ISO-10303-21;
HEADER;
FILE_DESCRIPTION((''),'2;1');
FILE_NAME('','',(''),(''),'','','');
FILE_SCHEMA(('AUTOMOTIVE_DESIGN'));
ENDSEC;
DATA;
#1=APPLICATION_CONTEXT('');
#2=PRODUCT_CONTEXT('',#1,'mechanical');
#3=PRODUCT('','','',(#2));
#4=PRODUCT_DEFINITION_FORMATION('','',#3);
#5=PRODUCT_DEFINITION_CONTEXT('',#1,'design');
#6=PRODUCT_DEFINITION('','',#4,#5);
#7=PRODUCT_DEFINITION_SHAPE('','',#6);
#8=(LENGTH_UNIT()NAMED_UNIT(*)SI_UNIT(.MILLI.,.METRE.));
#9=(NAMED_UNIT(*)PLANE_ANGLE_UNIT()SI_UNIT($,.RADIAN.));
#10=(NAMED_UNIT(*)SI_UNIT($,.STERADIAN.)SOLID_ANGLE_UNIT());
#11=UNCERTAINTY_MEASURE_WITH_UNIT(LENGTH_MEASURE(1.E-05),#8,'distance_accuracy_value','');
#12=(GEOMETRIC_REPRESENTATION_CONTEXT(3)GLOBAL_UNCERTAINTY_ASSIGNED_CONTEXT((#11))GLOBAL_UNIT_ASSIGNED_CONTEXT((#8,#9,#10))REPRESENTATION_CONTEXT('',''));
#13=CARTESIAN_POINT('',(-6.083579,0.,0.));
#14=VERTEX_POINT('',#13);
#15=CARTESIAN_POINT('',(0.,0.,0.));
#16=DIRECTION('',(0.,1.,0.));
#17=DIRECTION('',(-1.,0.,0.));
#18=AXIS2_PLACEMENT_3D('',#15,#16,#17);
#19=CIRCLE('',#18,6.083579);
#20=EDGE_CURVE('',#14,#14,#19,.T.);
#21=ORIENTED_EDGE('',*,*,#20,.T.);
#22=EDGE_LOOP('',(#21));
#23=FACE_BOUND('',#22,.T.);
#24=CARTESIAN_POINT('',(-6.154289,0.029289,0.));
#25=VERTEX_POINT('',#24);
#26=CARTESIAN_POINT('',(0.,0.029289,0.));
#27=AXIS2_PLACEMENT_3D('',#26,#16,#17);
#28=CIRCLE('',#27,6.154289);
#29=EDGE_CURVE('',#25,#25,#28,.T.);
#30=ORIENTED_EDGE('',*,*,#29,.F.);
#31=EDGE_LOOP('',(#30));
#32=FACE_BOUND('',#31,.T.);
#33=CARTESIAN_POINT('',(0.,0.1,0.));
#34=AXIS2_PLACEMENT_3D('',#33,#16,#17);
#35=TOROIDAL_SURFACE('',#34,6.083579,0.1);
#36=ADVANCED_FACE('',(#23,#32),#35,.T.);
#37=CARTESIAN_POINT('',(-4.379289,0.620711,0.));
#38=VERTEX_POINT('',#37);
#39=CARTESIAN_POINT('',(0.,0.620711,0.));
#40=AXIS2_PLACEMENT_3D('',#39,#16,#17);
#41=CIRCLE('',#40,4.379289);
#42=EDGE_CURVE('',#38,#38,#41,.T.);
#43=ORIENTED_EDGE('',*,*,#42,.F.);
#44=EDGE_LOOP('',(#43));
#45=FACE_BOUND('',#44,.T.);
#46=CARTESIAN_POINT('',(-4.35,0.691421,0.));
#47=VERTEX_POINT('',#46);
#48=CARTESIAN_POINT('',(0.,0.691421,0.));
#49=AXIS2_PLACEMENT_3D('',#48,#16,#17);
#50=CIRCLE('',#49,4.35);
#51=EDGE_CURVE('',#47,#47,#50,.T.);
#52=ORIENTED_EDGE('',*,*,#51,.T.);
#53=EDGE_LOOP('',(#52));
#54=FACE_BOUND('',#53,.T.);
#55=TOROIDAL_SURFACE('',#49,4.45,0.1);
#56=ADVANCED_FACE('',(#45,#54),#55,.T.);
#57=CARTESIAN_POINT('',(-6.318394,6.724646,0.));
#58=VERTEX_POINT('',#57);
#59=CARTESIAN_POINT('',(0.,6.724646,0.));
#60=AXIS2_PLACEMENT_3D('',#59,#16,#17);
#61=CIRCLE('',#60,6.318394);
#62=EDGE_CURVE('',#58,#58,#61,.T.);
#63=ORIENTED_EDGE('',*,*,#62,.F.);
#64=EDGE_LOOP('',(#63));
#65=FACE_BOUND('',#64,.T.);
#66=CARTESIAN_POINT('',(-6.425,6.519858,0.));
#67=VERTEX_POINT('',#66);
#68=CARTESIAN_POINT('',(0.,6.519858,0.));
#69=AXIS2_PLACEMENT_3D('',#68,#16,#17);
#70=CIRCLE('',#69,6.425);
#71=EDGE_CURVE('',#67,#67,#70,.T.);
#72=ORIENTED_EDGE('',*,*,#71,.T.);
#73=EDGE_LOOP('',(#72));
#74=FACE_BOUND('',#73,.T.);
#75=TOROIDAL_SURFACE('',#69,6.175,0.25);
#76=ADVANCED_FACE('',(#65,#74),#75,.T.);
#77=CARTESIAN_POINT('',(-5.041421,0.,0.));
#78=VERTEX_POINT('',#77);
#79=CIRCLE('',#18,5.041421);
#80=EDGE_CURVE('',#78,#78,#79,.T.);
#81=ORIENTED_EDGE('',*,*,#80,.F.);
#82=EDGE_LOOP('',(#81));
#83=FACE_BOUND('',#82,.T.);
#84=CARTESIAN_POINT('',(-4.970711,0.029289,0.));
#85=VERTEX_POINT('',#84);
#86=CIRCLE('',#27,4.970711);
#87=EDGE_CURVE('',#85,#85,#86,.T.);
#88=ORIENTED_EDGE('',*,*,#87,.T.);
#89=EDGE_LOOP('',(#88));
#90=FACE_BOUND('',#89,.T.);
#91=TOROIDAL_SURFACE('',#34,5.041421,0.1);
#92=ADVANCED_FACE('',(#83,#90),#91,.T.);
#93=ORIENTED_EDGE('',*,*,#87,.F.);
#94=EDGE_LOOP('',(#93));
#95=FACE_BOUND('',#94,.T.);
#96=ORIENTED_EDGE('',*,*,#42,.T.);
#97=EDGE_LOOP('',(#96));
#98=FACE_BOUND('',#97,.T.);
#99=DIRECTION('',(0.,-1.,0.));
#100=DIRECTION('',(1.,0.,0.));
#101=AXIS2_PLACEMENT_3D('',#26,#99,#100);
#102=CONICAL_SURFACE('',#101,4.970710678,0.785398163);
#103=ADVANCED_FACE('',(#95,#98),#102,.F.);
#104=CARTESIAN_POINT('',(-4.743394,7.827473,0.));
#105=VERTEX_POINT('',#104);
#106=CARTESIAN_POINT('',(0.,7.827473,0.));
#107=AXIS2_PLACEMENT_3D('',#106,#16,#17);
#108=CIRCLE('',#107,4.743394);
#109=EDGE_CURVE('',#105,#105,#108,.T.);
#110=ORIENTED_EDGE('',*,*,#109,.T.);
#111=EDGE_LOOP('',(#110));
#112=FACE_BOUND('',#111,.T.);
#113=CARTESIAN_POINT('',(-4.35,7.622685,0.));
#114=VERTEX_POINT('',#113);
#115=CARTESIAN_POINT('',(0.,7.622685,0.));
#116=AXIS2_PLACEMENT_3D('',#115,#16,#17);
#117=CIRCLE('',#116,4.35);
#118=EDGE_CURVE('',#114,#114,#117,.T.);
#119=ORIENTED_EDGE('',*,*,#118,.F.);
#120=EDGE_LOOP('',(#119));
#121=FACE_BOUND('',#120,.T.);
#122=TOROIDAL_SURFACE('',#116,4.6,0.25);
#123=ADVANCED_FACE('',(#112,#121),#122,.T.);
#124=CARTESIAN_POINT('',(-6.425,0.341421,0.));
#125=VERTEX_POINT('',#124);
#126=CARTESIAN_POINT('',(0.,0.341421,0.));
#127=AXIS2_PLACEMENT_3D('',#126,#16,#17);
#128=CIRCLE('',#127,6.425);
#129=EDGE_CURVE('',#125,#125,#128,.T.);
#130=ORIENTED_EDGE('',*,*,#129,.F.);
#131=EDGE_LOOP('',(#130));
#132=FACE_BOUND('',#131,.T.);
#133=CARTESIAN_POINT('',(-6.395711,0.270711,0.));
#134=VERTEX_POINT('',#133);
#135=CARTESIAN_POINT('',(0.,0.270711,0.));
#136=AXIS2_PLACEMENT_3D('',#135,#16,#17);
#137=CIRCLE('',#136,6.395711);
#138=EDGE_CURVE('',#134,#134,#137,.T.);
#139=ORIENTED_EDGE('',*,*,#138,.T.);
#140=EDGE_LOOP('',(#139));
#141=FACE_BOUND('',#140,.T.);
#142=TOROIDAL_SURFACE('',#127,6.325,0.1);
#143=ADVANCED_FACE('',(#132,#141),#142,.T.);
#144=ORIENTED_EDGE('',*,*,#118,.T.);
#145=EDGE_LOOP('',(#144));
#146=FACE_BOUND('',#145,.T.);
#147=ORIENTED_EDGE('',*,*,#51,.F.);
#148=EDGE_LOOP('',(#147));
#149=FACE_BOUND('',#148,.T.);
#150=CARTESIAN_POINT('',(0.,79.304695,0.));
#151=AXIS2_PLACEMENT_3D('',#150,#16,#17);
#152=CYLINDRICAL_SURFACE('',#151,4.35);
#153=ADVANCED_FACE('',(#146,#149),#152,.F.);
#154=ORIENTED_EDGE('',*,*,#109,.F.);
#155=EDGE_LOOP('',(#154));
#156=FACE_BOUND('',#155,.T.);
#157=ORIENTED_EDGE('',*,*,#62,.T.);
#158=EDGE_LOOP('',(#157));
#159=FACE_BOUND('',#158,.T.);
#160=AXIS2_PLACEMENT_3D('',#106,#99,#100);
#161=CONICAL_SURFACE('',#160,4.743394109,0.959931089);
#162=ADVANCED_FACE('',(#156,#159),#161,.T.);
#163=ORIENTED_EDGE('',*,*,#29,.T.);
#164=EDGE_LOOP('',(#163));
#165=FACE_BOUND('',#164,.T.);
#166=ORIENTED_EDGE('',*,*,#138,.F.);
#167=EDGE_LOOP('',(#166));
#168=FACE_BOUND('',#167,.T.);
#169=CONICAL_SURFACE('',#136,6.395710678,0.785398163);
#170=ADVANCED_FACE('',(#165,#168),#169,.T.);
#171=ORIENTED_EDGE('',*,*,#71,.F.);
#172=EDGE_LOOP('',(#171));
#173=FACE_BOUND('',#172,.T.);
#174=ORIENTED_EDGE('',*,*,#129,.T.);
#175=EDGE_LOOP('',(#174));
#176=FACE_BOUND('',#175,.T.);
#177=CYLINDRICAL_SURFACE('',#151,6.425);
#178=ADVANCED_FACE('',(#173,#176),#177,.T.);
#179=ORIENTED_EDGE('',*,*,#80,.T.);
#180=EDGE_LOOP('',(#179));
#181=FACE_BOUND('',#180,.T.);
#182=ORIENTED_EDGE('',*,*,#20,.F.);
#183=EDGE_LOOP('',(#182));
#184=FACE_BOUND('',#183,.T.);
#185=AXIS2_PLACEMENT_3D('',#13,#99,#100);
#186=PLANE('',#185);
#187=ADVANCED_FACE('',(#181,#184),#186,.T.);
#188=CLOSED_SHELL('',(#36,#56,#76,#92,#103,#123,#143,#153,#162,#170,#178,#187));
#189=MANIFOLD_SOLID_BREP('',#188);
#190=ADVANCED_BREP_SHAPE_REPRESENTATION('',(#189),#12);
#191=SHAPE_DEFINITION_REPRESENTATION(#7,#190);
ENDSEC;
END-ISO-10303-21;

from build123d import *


with BuildPart() as part:
    # Main Revolve Sketch → Main Revolve (revolve)
    with BuildSketch(Plane.XY):
        with BuildLine():
            Line((-4.35, 0.691421356), (-4.35, 7.62268511))
            ThreePointArc((-4.35, 7.62268511), (-4.484562847, 7.844437818), (-4.743394109, 7.827473121))
            Line((-4.743394109, 7.827473121), (-6.318394109, 6.724646248))
            ThreePointArc((-6.318394109, 6.724646248), (-6.396752708, 6.635295391), (-6.425, 6.519858237))
            Line((-6.425, 6.519858237), (-6.425, 0.341421356))
            ThreePointArc((-6.425, 0.341421356), (-6.417387953, 0.303153013), (-6.395710678, 0.270710678))
            Line((-6.395710678, 0.270710678), (-6.154289322, 0.029289322))
            ThreePointArc((-6.154289322, 0.029289322), (-6.121846987, 0.007612047), (-6.083578644, 0))
            Line((-6.083578644, 0), (-5.041421356, 0))
            ThreePointArc((-5.041421356, 0), (-5.003153013, 0.007612047), (-4.970710678, 0.029289322))
            Line((-4.970710678, 0.029289322), (-4.379289322, 0.620710678))
            ThreePointArc((-4.379289322, 0.620710678), (-4.357612047, 0.653153013), (-4.35, 0.691421356))
        make_face()
    revolve(axis=Axis((0, 79.304695449, 0), (0, -1, 0)))


solid = part.part
